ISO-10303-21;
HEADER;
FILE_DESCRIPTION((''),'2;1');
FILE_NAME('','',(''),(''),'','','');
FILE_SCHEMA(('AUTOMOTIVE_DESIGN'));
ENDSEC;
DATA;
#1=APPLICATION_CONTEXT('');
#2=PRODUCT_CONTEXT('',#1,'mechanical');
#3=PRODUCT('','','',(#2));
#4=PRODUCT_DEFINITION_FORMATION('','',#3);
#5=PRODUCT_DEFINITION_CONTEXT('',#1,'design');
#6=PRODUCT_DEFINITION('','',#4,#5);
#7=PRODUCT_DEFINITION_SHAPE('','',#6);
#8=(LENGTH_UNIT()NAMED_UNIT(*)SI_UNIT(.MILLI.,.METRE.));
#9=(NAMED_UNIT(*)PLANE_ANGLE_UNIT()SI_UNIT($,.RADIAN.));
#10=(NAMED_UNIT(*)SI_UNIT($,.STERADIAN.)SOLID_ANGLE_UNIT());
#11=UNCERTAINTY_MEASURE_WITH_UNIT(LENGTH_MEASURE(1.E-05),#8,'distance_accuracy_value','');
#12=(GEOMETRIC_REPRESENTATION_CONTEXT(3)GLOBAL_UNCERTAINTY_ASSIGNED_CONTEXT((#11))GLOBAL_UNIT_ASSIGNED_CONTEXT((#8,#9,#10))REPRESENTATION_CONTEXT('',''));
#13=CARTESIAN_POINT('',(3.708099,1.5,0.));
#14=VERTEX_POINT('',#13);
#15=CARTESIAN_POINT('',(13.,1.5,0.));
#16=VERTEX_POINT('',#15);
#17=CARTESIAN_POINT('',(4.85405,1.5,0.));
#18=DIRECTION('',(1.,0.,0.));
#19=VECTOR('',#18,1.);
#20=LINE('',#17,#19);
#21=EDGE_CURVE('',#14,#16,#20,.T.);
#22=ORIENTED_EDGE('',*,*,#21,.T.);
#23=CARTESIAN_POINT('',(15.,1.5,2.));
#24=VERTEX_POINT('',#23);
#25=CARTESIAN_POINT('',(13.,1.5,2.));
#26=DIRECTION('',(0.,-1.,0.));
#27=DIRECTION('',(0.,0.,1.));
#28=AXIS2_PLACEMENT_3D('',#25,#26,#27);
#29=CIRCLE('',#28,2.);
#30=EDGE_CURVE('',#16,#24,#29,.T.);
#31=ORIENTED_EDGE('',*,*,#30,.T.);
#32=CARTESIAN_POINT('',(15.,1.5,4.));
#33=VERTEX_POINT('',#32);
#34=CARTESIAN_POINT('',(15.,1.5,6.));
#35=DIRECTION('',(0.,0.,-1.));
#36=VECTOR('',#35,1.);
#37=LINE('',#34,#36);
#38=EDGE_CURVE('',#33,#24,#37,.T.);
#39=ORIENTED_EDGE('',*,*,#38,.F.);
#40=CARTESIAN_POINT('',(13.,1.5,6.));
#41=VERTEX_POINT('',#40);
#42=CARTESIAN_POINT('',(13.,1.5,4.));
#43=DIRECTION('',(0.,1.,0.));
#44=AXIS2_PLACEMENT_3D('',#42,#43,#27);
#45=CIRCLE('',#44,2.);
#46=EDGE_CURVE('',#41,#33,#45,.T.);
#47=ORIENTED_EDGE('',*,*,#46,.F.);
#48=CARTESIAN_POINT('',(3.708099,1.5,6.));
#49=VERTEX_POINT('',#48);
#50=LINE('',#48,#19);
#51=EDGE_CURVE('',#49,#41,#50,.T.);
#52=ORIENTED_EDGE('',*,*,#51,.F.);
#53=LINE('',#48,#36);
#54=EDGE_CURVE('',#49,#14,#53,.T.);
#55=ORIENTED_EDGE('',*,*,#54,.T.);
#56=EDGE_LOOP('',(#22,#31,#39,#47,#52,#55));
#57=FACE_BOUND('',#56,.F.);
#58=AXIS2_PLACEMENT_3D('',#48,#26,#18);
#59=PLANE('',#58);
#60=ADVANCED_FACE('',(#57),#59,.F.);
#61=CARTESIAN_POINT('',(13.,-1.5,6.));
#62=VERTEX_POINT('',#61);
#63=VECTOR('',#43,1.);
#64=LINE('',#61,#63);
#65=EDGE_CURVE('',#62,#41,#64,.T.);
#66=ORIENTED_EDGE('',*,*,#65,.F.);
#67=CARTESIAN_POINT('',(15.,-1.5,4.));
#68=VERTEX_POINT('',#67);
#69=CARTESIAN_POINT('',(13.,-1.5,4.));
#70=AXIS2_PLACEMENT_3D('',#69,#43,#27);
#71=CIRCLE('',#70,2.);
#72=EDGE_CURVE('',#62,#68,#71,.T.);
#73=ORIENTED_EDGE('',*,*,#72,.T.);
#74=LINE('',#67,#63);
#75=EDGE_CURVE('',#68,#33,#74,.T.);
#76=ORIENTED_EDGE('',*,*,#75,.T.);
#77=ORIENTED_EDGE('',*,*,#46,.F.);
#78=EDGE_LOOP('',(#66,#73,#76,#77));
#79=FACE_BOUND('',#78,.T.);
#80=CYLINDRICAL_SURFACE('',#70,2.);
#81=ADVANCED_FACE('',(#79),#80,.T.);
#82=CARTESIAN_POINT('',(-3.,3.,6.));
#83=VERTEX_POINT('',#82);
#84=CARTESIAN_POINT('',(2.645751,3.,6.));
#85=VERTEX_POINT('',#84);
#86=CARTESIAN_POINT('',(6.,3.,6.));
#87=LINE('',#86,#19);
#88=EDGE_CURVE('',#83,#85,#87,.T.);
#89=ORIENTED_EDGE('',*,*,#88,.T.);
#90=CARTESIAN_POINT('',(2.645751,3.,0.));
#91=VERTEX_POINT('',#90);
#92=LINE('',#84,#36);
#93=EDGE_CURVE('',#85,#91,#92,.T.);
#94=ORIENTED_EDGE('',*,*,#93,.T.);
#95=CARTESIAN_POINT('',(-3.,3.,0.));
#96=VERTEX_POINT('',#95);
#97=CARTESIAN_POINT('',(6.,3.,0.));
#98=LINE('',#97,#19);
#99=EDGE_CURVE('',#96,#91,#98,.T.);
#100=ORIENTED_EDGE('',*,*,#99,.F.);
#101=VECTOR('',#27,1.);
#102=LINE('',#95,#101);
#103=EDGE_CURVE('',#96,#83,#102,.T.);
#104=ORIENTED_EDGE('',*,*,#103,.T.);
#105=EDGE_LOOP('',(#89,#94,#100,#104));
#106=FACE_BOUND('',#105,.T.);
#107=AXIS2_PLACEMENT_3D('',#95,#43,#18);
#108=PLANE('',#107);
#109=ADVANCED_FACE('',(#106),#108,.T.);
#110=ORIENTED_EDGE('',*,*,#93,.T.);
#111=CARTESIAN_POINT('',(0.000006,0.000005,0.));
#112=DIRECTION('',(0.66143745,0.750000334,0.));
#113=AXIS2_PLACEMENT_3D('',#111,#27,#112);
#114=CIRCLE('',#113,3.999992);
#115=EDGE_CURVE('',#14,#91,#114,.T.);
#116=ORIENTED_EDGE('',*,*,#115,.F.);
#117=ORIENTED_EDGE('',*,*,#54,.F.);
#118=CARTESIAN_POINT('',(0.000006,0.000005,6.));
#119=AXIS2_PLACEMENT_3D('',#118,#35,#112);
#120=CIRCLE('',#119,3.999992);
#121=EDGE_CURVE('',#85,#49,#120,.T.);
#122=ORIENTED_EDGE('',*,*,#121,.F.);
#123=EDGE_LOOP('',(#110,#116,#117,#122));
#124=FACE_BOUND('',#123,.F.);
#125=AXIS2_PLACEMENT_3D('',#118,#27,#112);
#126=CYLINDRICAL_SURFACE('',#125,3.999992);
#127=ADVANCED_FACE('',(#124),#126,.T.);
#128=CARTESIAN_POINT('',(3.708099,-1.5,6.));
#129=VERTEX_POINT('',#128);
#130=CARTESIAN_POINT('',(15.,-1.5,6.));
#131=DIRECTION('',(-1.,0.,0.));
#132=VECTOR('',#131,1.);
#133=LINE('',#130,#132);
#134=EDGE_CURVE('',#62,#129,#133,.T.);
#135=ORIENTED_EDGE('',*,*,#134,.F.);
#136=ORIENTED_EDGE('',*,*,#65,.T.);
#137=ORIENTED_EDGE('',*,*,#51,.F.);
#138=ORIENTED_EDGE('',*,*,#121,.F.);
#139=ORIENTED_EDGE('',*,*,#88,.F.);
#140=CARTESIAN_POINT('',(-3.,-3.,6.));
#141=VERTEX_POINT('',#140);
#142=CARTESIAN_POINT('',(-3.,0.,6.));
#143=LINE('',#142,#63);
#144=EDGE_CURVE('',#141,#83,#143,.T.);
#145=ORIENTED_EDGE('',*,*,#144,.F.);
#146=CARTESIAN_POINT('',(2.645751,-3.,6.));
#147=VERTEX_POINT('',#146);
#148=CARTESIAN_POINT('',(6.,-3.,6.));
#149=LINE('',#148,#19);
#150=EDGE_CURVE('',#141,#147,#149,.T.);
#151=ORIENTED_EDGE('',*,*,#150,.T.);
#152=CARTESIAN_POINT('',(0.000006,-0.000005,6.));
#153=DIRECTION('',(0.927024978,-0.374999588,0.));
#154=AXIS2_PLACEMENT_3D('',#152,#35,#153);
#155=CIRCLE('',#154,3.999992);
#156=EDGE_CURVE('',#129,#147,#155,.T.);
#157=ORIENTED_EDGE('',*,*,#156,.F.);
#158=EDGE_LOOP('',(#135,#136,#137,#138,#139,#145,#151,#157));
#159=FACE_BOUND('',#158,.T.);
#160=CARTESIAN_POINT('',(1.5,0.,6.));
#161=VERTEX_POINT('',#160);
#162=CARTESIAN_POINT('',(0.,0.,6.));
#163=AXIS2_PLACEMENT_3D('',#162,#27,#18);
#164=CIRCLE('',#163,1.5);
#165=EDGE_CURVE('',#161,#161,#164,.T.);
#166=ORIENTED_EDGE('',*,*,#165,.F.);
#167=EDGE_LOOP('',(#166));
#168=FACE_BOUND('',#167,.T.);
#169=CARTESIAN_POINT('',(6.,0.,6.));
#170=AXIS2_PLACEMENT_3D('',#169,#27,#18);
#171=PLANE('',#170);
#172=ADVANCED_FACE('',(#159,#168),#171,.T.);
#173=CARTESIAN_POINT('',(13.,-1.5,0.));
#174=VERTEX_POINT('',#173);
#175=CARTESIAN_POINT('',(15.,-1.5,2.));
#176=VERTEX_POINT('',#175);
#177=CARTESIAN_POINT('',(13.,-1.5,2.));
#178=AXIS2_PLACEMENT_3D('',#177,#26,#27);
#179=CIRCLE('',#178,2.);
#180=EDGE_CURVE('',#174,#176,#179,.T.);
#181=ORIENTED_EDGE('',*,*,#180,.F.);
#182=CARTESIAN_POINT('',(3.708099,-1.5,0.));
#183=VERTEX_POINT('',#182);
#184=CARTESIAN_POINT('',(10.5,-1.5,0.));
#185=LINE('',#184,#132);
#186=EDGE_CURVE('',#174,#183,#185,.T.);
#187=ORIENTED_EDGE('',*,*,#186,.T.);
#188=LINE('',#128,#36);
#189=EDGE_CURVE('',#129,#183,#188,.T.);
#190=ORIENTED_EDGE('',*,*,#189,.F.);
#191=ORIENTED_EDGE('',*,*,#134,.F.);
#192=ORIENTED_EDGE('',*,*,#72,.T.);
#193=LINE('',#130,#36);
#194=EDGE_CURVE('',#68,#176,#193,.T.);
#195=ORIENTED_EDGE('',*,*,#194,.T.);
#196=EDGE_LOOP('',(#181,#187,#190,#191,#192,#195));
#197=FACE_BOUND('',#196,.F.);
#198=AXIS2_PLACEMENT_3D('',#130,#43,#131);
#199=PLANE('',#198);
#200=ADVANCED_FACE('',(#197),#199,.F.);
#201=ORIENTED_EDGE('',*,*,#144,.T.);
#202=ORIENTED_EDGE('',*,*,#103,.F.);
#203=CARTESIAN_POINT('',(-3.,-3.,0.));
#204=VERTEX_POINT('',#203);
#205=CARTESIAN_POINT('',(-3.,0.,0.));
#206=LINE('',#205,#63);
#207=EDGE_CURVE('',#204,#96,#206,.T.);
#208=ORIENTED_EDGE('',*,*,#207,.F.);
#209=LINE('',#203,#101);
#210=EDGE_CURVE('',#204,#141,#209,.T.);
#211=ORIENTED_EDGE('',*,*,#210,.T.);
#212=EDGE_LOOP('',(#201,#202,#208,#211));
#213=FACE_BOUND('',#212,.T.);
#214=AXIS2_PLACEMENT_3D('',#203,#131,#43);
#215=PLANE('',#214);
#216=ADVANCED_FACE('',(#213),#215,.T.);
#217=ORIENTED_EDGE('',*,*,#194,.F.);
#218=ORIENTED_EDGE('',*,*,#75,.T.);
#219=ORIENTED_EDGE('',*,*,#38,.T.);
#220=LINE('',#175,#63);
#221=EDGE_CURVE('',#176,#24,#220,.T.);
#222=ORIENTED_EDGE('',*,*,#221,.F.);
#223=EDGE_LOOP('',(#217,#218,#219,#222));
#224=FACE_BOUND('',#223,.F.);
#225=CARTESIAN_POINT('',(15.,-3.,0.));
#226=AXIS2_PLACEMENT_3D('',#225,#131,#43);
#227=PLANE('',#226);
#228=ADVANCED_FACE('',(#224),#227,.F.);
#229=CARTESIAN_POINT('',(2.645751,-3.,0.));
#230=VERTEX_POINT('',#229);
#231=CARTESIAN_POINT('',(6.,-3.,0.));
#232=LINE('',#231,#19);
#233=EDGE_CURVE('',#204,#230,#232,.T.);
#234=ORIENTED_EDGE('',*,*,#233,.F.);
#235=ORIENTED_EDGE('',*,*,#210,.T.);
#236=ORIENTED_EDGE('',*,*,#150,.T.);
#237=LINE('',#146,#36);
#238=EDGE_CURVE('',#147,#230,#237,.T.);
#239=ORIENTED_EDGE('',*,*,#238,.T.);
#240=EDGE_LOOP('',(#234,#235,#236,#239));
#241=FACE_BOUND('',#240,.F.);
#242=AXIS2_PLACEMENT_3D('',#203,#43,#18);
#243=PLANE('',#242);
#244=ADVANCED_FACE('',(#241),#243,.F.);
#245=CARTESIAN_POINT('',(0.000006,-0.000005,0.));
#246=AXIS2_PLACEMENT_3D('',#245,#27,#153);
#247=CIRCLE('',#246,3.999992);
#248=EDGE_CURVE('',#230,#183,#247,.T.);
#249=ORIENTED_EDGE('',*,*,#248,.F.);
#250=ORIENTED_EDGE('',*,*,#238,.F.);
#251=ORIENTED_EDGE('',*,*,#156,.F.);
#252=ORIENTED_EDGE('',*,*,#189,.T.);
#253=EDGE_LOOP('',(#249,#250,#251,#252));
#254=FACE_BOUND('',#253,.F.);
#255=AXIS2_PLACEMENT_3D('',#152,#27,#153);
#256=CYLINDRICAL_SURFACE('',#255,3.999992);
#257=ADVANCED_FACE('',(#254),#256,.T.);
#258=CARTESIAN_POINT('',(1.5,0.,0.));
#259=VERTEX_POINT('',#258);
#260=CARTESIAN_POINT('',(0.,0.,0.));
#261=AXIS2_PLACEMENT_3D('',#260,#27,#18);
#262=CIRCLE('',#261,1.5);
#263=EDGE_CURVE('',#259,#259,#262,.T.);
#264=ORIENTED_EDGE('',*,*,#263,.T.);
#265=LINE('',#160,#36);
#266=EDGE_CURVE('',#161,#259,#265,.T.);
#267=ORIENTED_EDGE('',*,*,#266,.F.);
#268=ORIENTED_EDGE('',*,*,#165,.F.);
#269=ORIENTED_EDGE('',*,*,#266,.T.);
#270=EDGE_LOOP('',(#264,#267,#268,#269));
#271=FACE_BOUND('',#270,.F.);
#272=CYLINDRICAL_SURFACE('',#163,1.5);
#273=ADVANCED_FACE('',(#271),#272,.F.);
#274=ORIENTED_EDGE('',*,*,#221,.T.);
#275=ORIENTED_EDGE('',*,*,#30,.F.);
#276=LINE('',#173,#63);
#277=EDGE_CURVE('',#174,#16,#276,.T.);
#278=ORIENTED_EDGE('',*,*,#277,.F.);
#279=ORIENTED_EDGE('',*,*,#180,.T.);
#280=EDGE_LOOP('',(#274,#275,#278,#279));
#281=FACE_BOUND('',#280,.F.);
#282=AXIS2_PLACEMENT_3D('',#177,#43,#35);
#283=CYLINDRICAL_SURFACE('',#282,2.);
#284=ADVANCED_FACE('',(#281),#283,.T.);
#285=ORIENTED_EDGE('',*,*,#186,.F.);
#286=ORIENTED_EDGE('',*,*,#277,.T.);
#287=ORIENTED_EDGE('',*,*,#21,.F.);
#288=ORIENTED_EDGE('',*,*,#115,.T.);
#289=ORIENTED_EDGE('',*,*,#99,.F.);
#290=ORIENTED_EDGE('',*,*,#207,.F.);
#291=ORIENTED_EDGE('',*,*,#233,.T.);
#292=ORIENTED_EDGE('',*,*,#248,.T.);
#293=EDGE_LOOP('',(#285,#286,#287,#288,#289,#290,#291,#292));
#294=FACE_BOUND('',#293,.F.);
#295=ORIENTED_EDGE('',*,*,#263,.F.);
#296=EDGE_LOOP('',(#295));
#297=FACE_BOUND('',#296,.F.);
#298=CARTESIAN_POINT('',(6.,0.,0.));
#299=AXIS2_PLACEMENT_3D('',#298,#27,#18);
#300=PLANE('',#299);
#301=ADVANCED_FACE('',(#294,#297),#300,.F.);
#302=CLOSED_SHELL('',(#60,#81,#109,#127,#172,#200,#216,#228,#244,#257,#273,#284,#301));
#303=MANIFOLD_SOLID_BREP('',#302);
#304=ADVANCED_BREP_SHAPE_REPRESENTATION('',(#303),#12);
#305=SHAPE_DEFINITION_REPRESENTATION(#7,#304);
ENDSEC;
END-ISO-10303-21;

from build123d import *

# Parameters (mm, degrees)
F0_W     = 18
F0_H     = 6
F1_DEPTH = 6
F2_R     = 1.5
F3_DEPTH = 10
F5_DEPTH = 25
F6_R     = 2


with BuildPart() as f1:
    # F0 (on Top) → F1 (new body)
    with BuildSketch(Plane.XY):
        with Locations((6, 0)):
            Rectangle(F0_W, F0_H)
    extrude(amount=F1_DEPTH)

    # F2 (on face) → F3 (cut)
    with BuildSketch(Plane.XY.offset(6)):
        Circle(F2_R)
    extrude(amount=-F3_DEPTH, mode=Mode.SUBTRACT)

    # F4 (on face) → F5 (cut)
    with BuildSketch(Plane.XY.offset(6)):
        with BuildLine():
            Line((3.708099, 1.5), (15, 1.5))
            Line((15, 1.5), (15, 3))
            Line((15, 3), (2.645751, 3))
            ThreePointArc((2.645751, 3), (3.264254, 2.311849), (3.708099, 1.5))
        make_face()
        with BuildLine():
            Line((15, -3), (15, -1.5))
            Line((15, -1.5), (3.708099, -1.5))
            ThreePointArc((3.708099, -1.5), (3.264254, -2.311849), (2.645751, -3))
            Line((2.645751, -3), (15, -3))
        make_face()
    extrude(amount=-F5_DEPTH, mode=Mode.SUBTRACT)

    # F6
    f6_edges = [f1.edges().sort_by_distance(p)[0] for p in [
        (15, 0, 6),
        (15, 0, 0),
    ]]
    fillet(f6_edges, radius=F6_R)


solid = f1.part
